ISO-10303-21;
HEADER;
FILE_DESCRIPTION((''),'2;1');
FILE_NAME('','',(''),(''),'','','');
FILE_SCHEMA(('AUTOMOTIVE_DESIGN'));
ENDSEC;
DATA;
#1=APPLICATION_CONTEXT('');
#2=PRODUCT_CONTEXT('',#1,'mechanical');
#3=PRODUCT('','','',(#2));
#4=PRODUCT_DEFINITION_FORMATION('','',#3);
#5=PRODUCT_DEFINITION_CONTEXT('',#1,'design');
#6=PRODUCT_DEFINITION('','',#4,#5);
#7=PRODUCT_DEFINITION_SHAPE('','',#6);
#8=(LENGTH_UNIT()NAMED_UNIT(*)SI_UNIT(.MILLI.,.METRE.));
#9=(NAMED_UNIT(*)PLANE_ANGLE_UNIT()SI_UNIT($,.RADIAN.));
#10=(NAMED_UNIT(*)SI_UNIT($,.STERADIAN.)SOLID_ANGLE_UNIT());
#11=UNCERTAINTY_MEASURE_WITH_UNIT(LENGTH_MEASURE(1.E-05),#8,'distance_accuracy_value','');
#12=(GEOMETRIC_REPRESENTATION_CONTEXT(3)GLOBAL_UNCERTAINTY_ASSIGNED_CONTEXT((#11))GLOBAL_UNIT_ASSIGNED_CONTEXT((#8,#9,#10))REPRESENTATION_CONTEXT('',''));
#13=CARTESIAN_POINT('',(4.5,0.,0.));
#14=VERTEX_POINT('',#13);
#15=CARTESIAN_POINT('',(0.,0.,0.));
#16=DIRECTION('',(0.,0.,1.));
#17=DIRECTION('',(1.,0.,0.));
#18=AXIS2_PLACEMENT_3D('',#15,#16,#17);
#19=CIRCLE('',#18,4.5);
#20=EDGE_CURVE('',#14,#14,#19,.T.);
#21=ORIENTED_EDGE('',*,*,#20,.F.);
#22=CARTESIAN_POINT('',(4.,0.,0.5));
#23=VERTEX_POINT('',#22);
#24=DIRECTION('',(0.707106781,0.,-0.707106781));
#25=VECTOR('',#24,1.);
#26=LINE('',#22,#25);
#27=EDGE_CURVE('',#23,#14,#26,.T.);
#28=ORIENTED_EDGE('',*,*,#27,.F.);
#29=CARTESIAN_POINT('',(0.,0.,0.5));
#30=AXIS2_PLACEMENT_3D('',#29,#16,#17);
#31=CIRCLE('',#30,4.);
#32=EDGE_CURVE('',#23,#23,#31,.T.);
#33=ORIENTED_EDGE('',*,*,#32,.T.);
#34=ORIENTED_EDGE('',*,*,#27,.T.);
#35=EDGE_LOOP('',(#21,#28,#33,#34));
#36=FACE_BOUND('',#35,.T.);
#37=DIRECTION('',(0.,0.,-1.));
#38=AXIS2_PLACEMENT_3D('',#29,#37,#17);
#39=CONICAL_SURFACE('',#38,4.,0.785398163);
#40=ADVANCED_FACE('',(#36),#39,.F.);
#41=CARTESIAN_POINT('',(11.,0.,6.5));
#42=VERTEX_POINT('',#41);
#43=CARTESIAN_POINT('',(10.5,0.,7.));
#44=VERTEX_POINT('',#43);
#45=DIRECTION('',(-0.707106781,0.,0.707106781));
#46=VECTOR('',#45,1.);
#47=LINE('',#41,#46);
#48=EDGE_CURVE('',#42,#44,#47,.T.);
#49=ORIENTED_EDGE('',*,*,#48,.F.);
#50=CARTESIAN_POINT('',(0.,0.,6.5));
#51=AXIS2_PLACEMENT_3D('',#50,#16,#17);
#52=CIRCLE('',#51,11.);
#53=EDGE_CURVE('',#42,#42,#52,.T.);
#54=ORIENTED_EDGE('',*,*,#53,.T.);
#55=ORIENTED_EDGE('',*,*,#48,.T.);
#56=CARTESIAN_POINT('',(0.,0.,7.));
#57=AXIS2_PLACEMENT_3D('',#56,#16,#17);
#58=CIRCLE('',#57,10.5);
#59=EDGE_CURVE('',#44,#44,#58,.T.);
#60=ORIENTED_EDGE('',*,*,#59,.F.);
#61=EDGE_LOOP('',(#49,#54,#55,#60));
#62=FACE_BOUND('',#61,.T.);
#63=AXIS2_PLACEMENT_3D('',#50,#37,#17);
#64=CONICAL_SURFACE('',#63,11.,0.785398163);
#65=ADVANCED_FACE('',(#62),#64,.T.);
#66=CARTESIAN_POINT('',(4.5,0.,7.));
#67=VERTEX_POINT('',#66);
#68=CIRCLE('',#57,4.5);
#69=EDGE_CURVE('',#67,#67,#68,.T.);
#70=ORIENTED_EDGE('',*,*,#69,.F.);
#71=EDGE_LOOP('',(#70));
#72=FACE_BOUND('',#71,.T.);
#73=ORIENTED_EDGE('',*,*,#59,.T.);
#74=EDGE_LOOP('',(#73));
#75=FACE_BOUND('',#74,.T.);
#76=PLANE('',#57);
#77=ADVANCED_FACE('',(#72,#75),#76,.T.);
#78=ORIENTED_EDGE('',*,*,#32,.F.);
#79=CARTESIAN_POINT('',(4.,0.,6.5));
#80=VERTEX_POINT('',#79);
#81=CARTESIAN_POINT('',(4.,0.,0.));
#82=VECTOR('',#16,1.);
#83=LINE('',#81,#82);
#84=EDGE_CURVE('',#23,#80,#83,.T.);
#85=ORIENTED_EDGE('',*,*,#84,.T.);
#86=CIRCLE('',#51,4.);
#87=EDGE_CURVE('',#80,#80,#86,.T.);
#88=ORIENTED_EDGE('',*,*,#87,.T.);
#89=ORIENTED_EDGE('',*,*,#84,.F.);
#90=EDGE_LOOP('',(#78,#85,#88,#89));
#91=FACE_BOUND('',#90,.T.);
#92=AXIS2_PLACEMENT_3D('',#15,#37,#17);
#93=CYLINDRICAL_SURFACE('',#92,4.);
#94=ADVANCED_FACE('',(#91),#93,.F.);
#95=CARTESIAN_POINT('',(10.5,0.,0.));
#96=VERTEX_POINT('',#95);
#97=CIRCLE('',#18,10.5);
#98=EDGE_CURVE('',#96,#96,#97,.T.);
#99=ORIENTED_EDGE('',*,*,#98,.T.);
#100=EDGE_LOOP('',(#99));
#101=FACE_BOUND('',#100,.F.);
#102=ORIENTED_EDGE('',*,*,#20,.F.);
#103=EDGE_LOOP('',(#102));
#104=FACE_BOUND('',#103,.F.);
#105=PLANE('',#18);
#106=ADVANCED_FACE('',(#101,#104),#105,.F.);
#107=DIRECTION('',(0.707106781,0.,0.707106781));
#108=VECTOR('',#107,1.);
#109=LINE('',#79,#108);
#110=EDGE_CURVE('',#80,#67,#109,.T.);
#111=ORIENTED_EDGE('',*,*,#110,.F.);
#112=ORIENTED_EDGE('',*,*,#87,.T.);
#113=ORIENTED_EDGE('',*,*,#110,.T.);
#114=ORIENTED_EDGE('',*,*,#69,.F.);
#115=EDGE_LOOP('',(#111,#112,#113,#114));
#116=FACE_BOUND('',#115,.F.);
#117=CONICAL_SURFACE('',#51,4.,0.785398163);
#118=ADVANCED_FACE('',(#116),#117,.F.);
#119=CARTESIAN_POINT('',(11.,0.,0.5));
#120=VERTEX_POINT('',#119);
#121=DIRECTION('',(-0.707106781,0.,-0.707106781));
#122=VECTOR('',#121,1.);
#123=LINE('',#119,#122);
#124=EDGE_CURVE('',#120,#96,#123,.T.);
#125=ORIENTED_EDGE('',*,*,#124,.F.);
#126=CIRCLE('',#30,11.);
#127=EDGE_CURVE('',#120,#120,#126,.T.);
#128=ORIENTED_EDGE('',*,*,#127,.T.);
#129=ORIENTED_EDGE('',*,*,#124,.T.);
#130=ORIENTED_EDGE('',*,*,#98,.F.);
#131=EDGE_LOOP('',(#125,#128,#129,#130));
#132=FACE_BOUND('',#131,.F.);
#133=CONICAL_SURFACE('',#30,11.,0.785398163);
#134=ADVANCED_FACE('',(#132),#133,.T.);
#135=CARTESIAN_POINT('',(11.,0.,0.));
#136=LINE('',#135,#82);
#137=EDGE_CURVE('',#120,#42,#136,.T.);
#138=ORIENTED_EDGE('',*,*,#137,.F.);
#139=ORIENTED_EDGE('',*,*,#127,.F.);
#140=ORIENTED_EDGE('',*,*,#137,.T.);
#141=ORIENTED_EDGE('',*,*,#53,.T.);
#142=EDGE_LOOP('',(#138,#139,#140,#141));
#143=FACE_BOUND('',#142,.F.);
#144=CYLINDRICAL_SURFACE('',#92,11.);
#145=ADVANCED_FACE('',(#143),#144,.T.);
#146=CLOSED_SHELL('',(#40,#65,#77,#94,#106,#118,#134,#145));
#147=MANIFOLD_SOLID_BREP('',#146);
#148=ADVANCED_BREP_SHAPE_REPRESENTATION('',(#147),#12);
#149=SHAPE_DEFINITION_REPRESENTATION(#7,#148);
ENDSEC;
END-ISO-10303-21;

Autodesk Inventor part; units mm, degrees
ref_plane "YZ Plane" through (0, 0, 0) normal (1, 0, 0) x (0, 1, 0)
ref_plane "XZ Plane" through (0, 0, 0) normal (0, 1, 0) x (-1, 0, 0)
ref_plane "XY Plane" through (0, 0, 0) normal (0, 0, 1) x (1, 0, 0)
sketch "Sketch1" plane through (0, 0, 0) normal (0, 0, 1) x (1, 0, 0)
  circle A0 centre (0, 0) radius 11
  circle A1 centre (0, 0) radius 4
  dimension "d0" = 22
  dimension "d1" = 8
extrude "Extrusion1" add sketch "Sketch1" along normal blind 7
chamfer "Chamfer1" distance 0.5 angle 45 4 edges at (-11, 0, 7) (-11, 0, 0) (-4, 0, 7) (-4, 0, 0)
properties part number "BearingRadialBall608zz" material "Steel, Alloy"
